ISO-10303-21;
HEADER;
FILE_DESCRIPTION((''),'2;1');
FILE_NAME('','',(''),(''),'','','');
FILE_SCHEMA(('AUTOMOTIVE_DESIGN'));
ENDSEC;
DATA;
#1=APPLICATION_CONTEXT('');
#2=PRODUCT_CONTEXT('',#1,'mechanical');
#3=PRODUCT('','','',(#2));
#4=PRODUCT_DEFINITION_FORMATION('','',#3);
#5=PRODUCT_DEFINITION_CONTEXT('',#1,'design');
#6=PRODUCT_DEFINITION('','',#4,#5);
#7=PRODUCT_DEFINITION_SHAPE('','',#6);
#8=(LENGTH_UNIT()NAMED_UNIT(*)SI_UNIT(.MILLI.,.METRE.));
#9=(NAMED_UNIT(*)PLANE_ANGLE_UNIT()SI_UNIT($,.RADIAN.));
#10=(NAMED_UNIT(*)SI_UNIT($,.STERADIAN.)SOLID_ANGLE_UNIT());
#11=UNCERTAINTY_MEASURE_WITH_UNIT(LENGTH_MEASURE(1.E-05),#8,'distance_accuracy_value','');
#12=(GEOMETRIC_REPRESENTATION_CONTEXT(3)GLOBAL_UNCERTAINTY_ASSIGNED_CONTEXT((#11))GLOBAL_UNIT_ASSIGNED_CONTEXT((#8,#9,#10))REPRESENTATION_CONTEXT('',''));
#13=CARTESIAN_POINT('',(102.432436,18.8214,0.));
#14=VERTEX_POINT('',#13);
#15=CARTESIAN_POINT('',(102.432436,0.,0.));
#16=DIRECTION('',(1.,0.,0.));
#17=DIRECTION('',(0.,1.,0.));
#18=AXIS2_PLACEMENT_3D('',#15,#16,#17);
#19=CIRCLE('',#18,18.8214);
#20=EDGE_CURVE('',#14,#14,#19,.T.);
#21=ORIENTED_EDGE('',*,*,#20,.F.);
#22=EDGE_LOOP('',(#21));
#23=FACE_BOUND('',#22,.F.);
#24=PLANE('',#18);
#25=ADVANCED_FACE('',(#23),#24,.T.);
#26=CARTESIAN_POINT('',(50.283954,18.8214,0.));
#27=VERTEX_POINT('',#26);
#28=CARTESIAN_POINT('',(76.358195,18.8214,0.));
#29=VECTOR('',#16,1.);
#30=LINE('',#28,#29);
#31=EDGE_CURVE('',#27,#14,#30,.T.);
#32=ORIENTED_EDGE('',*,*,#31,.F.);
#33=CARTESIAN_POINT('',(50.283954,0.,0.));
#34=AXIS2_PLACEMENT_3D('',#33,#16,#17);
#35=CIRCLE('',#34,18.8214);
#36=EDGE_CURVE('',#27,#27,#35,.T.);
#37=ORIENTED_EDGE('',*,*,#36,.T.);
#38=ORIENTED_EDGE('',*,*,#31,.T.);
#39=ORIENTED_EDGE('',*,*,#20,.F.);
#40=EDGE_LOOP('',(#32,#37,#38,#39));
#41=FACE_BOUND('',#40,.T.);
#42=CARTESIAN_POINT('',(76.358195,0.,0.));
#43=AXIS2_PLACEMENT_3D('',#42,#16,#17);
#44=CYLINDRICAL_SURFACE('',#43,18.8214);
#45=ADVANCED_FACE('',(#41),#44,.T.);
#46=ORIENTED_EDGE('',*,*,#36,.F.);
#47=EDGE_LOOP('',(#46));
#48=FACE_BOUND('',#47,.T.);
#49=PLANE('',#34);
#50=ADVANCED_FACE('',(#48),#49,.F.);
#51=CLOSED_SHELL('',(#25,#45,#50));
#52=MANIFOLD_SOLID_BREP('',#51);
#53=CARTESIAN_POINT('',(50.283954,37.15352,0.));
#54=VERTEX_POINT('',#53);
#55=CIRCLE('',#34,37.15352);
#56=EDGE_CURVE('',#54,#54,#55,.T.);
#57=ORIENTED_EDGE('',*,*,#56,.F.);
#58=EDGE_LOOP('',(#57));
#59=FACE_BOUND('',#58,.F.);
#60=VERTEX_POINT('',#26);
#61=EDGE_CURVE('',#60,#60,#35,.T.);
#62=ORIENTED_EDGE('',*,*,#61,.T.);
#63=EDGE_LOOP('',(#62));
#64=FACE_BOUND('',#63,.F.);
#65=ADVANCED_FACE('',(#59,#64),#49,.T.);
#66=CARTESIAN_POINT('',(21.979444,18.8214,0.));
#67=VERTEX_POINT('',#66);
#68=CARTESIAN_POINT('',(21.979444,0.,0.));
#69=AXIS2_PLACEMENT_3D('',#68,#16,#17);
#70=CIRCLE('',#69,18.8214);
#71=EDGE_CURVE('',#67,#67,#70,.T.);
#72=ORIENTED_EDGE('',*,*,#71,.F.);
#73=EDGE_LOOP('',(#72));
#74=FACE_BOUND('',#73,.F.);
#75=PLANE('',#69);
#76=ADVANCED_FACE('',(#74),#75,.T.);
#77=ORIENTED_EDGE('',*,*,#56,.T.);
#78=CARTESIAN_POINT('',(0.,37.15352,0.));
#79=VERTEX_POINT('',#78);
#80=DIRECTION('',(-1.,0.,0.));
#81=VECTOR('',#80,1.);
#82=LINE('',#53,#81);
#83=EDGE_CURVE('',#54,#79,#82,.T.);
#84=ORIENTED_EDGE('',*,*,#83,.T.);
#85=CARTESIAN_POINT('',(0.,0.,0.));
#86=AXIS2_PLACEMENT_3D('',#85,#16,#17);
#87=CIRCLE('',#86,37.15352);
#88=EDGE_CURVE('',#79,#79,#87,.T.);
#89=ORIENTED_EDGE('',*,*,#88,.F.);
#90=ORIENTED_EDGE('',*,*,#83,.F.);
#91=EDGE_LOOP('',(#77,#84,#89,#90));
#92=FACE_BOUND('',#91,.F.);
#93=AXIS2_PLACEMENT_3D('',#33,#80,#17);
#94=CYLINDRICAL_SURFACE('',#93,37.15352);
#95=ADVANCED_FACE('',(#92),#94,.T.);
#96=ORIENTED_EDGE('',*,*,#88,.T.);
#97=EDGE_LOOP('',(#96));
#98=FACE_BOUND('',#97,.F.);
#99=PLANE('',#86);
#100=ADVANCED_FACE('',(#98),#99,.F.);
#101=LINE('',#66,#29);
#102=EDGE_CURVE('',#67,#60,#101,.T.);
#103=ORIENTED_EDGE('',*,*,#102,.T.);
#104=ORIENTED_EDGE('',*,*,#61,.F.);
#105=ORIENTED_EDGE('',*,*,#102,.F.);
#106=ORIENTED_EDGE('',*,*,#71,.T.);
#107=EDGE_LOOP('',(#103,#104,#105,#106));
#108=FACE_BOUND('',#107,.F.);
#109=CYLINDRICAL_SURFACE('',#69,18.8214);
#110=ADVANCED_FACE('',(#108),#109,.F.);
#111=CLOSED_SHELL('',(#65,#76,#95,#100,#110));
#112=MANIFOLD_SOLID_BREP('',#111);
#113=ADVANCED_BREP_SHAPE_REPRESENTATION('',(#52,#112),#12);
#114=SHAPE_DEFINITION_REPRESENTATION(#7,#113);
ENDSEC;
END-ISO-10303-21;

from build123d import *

# Parameters (mm, degrees)
F0_W = 52.148483
F0_H = 18.8214


with BuildPart() as f1:
    # F0 (on Top) → F1 (revolve)
    with BuildSketch(Plane.XY):
        Polygon((0, 37.15352), (0, 0), (21.979444, 0), (21.979444, 18.8214), (50.283954, 18.8214), (50.283954, 37.15352), align=None)
    revolve(axis=Axis((25.141977, 0, 0), (1, 0, 0)))


with BuildPart() as f2:
    # F0 (on Top) → F2 (revolve)
    with BuildSketch(Plane.XY):
        with Locations((76.358195, 9.4107)):
            Rectangle(F0_W, F0_H)
    revolve(axis=Axis((76.358195, 0, 0), (1, 0, 0)))


solid = Compound([f1.part, f2.part])
